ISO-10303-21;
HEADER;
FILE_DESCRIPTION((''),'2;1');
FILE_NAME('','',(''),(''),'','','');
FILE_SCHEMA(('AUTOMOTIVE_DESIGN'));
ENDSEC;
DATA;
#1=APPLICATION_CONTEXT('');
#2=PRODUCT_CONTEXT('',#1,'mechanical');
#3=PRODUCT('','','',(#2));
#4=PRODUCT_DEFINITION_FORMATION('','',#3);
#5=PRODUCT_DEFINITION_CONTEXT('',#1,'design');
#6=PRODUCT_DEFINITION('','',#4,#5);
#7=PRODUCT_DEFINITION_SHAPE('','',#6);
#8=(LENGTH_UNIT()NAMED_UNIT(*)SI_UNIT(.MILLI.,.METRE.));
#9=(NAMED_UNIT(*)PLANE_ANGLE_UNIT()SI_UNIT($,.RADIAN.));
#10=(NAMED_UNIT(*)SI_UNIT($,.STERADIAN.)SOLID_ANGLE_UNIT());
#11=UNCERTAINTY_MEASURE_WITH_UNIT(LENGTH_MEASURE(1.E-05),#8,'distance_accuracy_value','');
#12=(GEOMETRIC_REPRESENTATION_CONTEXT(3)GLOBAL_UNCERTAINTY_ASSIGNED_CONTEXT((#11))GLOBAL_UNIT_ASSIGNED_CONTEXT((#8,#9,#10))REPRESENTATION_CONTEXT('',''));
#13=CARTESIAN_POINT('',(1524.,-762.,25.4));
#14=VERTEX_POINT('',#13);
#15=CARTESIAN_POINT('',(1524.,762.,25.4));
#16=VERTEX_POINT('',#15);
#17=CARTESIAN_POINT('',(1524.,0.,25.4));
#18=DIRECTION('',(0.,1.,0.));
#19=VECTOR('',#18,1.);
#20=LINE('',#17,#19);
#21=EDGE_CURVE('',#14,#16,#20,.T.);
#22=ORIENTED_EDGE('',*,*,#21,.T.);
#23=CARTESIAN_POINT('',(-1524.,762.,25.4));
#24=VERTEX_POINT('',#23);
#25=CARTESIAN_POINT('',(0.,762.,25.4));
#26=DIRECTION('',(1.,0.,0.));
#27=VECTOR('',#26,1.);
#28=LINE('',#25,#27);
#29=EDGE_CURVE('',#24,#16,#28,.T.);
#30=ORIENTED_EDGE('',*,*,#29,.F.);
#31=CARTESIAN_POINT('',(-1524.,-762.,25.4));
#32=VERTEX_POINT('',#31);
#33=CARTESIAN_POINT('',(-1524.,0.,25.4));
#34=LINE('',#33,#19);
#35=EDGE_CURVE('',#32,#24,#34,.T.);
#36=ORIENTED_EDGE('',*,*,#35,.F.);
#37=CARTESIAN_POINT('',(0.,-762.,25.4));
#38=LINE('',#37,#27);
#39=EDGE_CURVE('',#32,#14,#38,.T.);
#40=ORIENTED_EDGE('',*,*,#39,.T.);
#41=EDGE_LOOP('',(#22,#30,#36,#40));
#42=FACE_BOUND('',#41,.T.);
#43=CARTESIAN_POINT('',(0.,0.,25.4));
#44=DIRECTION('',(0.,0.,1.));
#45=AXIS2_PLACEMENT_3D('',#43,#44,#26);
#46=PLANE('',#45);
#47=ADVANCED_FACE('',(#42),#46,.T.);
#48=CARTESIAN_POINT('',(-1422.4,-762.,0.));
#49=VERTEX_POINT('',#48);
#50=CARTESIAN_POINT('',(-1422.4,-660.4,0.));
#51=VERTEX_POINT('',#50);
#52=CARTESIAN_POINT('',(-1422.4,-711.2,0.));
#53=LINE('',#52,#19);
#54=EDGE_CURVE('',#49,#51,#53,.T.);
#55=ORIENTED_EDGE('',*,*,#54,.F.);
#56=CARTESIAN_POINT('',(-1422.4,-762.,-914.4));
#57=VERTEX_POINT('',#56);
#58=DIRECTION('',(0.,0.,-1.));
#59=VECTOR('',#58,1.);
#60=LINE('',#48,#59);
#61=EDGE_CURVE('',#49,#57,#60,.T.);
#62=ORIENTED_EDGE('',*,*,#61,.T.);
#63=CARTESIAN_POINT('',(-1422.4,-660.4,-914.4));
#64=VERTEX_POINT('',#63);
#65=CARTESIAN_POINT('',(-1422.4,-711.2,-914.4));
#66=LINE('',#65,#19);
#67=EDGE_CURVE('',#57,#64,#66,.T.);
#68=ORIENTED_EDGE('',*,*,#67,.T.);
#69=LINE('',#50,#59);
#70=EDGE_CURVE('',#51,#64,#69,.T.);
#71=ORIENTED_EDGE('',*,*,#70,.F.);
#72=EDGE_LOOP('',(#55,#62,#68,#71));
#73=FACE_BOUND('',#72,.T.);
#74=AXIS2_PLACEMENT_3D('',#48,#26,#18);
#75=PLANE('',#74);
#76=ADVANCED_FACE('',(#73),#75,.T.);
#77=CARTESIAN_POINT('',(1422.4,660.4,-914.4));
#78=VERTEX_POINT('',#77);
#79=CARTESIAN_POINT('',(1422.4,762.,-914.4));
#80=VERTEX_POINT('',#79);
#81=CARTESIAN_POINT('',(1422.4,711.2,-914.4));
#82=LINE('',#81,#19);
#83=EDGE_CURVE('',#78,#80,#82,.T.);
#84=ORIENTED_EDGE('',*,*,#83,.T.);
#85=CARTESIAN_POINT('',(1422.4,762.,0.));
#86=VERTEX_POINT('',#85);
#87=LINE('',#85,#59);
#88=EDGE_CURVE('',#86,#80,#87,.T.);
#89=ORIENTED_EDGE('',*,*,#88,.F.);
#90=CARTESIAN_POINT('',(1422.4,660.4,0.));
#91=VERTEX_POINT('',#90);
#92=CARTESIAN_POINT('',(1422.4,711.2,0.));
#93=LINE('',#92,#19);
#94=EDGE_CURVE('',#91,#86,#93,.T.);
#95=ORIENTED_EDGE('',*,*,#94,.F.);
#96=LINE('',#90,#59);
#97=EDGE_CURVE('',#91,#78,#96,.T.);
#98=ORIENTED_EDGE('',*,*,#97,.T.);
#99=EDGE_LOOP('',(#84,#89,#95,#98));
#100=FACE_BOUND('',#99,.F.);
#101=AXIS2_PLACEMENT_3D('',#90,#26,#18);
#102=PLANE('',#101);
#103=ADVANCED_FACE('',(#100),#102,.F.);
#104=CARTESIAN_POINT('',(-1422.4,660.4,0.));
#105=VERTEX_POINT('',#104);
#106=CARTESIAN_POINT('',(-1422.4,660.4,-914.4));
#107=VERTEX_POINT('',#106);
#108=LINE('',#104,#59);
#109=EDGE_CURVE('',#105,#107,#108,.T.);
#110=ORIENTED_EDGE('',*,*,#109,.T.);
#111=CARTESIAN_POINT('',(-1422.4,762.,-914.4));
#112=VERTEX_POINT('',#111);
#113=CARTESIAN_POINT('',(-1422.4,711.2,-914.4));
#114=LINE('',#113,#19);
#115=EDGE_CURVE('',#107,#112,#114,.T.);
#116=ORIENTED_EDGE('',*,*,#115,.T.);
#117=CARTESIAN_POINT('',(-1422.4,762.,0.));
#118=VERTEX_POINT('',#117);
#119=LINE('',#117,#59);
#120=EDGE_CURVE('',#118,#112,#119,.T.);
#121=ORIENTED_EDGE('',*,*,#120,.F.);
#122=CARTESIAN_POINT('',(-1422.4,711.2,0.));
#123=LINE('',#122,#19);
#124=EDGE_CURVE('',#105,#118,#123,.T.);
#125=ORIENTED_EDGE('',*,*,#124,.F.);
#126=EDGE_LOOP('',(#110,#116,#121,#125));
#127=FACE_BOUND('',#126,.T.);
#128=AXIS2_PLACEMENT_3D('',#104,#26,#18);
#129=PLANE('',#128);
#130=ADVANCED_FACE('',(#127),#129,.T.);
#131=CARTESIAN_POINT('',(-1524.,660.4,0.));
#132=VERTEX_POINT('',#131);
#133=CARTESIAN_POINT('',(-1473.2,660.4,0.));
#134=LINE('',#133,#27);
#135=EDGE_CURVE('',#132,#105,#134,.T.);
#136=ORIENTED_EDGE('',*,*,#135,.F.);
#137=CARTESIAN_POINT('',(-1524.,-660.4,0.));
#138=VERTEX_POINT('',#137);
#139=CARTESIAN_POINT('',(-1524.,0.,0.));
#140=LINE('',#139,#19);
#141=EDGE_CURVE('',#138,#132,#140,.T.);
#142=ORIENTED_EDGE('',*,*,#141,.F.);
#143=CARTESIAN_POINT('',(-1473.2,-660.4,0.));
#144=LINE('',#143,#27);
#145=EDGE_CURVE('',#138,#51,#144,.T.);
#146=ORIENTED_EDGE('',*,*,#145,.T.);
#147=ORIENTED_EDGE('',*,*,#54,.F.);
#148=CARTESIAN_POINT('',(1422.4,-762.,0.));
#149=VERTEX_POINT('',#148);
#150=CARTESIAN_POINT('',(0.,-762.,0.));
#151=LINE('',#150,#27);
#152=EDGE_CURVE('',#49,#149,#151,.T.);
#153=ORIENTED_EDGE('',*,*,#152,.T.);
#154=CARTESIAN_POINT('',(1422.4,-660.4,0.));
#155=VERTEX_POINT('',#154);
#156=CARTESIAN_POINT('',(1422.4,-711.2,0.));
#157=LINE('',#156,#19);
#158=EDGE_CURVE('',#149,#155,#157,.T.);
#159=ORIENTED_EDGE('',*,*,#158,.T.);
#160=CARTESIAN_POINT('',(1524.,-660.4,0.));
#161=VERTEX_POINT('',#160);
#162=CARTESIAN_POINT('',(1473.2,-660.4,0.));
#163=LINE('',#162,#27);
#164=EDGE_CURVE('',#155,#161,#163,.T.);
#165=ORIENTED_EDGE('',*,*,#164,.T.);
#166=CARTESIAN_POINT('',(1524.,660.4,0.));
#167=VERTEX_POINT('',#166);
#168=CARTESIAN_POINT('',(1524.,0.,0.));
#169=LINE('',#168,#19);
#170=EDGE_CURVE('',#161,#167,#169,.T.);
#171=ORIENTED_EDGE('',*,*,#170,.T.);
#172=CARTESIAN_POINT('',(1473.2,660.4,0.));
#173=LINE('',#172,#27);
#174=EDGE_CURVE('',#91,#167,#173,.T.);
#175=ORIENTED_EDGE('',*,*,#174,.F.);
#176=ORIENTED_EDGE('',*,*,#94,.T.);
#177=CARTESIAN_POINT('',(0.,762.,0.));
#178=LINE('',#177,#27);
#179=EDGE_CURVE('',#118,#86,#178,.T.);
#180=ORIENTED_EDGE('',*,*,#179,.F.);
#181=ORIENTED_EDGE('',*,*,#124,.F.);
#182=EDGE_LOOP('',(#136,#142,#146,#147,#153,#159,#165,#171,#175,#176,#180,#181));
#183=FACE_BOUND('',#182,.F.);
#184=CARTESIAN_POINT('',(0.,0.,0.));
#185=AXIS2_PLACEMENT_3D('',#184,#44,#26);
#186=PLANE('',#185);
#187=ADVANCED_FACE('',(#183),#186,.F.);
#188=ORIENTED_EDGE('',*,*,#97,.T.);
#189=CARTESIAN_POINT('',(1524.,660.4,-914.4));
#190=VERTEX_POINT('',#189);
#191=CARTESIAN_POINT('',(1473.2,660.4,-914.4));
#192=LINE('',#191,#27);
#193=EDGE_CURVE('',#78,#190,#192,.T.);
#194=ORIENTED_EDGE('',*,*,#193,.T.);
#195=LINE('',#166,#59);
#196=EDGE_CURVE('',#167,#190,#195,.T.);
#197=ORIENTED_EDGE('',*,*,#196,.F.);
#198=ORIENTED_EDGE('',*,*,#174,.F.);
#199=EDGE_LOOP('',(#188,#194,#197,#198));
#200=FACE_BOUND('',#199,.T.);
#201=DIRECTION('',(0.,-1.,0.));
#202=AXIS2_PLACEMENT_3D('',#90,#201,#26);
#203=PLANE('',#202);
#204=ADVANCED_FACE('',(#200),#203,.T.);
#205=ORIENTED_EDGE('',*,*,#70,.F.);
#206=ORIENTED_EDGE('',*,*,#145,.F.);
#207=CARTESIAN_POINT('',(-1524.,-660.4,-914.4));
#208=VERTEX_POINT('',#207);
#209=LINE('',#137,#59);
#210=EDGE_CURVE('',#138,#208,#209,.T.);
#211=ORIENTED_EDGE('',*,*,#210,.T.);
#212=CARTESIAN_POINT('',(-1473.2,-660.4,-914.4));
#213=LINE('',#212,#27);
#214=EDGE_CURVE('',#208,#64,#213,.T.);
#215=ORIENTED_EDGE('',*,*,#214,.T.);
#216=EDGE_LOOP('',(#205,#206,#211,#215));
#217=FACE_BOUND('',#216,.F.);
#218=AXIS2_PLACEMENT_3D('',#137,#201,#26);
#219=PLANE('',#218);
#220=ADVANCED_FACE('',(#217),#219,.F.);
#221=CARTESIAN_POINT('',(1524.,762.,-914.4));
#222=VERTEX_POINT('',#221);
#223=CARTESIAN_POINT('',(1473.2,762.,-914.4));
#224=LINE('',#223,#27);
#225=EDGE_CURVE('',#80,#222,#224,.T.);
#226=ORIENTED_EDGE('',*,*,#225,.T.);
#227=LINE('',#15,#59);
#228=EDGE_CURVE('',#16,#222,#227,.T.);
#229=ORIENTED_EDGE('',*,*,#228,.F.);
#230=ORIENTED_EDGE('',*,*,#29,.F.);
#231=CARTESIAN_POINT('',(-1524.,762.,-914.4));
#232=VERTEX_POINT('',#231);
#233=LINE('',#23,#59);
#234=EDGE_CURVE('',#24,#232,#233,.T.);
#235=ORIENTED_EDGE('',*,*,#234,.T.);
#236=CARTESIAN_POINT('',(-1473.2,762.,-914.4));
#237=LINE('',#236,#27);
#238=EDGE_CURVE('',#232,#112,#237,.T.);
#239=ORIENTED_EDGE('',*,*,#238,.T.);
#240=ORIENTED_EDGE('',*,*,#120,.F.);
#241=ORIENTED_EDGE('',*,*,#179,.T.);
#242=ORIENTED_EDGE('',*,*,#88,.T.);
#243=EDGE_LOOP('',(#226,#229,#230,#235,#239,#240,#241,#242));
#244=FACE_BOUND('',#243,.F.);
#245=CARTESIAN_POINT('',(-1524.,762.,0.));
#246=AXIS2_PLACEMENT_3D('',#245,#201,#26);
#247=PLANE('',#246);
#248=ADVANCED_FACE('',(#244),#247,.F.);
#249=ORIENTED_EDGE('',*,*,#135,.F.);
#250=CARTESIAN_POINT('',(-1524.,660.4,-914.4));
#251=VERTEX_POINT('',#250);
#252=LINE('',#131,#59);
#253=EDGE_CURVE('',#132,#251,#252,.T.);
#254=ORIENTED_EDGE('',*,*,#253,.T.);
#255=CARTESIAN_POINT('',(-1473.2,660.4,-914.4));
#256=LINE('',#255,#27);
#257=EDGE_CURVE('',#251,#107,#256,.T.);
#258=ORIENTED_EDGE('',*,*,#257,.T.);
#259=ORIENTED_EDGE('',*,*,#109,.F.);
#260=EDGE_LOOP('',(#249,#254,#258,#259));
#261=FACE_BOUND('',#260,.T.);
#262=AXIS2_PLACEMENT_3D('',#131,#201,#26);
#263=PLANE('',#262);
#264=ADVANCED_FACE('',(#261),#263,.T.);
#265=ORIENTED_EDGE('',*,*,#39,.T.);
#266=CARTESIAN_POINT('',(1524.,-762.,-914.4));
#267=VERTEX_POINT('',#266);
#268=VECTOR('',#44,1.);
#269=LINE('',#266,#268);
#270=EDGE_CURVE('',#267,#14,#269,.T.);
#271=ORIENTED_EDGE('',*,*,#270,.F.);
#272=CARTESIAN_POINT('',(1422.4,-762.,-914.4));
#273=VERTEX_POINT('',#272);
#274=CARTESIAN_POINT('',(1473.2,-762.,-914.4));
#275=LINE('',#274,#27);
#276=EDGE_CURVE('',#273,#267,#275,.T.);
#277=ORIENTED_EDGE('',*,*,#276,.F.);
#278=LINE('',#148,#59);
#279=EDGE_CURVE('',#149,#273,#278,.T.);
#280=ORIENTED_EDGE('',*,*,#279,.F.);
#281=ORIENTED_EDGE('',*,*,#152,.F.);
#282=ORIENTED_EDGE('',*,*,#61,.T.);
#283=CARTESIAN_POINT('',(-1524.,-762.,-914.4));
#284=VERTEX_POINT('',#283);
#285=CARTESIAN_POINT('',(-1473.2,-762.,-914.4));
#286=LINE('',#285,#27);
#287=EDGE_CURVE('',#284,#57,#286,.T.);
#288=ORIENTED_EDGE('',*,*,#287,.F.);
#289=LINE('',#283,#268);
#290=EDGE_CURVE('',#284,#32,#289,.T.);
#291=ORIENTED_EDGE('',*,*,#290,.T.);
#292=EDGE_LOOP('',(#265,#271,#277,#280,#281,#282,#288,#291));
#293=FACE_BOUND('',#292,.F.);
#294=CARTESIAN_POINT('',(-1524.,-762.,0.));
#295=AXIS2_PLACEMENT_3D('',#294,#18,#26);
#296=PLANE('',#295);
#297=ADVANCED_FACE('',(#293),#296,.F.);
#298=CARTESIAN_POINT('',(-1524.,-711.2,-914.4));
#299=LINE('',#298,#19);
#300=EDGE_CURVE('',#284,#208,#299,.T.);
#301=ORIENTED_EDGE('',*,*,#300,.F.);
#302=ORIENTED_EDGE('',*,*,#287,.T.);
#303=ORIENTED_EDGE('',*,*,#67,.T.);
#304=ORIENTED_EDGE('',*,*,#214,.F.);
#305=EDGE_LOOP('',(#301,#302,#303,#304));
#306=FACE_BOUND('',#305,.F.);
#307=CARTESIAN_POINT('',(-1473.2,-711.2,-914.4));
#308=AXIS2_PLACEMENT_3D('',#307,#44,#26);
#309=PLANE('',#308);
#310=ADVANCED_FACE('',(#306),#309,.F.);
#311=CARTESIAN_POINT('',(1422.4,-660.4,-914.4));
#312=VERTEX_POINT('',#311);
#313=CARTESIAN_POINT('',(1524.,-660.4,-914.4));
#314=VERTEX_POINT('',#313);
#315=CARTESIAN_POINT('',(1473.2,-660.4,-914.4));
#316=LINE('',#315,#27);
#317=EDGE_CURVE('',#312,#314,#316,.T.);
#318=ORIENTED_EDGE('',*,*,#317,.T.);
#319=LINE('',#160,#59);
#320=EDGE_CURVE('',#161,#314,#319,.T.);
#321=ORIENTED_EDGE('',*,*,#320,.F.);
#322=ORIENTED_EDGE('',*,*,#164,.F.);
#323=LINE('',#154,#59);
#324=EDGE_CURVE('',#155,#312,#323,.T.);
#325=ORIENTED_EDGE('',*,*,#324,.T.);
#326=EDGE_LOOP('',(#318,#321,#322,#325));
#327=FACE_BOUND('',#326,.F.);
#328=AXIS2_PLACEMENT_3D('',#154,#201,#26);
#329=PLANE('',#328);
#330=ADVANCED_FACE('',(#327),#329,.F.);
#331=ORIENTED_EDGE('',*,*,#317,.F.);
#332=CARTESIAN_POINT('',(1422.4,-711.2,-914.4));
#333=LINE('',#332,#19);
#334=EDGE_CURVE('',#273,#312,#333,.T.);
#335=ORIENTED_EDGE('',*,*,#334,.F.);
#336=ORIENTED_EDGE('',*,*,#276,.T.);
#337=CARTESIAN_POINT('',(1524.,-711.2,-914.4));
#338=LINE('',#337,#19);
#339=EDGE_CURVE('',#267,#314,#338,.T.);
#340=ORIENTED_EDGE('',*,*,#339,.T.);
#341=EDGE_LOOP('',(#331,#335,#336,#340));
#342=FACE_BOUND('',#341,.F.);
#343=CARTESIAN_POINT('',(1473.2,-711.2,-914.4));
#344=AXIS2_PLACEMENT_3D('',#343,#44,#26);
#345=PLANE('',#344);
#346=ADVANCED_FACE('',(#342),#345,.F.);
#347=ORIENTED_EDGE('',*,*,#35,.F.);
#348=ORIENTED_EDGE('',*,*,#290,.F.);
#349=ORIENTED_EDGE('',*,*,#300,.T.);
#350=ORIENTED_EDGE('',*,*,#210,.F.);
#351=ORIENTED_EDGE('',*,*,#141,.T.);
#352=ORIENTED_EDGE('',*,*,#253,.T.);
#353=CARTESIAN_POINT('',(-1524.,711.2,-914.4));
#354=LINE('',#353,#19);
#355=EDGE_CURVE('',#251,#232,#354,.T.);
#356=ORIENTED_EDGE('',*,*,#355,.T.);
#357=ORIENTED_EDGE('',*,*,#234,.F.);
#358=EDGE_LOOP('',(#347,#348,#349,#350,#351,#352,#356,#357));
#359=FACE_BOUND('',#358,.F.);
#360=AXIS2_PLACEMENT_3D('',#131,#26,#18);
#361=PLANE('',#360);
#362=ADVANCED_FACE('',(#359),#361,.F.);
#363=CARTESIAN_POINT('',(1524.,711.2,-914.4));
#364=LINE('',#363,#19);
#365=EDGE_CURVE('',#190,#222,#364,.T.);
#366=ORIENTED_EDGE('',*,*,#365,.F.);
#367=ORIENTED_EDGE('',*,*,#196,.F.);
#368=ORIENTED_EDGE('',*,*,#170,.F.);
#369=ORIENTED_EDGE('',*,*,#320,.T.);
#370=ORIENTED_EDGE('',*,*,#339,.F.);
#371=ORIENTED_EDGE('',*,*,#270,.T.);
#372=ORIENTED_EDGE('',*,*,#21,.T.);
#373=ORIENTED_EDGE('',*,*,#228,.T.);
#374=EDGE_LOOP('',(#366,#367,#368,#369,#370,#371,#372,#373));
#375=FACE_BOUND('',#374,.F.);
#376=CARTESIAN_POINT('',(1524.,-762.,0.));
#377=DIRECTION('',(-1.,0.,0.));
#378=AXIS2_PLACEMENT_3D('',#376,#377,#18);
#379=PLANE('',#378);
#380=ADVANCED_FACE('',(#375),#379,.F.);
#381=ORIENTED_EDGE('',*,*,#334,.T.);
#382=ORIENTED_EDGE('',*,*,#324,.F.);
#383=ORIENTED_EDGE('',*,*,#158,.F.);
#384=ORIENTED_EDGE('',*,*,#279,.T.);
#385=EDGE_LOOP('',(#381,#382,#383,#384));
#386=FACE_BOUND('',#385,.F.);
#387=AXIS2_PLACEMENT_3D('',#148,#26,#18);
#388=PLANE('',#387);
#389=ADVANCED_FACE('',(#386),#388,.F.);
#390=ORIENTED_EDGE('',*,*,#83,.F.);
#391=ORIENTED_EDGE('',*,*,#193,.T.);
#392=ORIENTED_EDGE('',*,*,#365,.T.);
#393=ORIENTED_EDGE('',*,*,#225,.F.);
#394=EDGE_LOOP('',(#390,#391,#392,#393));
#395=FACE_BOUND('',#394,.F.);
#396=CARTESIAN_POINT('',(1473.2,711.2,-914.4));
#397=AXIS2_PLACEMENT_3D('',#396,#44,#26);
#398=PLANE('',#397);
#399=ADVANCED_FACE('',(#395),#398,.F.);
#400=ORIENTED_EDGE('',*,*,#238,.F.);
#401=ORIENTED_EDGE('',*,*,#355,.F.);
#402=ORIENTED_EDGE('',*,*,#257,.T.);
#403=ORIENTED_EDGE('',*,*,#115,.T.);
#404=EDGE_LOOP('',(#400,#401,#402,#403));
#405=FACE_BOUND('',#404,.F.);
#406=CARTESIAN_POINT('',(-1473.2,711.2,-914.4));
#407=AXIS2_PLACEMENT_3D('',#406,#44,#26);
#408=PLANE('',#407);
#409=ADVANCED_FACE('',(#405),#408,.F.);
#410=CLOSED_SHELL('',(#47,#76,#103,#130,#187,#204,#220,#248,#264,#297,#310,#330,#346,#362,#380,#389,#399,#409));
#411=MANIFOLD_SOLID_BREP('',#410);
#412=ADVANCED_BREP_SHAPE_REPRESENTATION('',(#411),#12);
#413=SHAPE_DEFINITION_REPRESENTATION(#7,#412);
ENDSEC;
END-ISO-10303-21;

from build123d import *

# Parameters (mm, degrees)
F0_W     = 3048
F0_H     = 1524
F1_DEPTH = 25.4
F2_W     = 101.6
F2_H     = 101.6
F3_DEPTH = 914.4


with BuildPart() as f1:
    # F0 (on Top) → F1 (new body)
    with BuildSketch(Plane.XY):
        Rectangle(F0_W, F0_H)
    extrude(amount=F1_DEPTH)

    # F2 (on Top) → F3 (join)
    with BuildSketch(Plane.XY):
        with Locations((-1473.2, 711.2)):
            Rectangle(F2_W, F2_H)
        with Locations((-1473.2, -711.2)):
            Rectangle(F2_W, F2_H)
        with Locations((1473.2, 711.2)):
            Rectangle(F2_W, F2_H)
        with Locations((1473.2, -711.2)):
            Rectangle(F2_W, F2_H)
    extrude(amount=-F3_DEPTH)


solid = f1.part
